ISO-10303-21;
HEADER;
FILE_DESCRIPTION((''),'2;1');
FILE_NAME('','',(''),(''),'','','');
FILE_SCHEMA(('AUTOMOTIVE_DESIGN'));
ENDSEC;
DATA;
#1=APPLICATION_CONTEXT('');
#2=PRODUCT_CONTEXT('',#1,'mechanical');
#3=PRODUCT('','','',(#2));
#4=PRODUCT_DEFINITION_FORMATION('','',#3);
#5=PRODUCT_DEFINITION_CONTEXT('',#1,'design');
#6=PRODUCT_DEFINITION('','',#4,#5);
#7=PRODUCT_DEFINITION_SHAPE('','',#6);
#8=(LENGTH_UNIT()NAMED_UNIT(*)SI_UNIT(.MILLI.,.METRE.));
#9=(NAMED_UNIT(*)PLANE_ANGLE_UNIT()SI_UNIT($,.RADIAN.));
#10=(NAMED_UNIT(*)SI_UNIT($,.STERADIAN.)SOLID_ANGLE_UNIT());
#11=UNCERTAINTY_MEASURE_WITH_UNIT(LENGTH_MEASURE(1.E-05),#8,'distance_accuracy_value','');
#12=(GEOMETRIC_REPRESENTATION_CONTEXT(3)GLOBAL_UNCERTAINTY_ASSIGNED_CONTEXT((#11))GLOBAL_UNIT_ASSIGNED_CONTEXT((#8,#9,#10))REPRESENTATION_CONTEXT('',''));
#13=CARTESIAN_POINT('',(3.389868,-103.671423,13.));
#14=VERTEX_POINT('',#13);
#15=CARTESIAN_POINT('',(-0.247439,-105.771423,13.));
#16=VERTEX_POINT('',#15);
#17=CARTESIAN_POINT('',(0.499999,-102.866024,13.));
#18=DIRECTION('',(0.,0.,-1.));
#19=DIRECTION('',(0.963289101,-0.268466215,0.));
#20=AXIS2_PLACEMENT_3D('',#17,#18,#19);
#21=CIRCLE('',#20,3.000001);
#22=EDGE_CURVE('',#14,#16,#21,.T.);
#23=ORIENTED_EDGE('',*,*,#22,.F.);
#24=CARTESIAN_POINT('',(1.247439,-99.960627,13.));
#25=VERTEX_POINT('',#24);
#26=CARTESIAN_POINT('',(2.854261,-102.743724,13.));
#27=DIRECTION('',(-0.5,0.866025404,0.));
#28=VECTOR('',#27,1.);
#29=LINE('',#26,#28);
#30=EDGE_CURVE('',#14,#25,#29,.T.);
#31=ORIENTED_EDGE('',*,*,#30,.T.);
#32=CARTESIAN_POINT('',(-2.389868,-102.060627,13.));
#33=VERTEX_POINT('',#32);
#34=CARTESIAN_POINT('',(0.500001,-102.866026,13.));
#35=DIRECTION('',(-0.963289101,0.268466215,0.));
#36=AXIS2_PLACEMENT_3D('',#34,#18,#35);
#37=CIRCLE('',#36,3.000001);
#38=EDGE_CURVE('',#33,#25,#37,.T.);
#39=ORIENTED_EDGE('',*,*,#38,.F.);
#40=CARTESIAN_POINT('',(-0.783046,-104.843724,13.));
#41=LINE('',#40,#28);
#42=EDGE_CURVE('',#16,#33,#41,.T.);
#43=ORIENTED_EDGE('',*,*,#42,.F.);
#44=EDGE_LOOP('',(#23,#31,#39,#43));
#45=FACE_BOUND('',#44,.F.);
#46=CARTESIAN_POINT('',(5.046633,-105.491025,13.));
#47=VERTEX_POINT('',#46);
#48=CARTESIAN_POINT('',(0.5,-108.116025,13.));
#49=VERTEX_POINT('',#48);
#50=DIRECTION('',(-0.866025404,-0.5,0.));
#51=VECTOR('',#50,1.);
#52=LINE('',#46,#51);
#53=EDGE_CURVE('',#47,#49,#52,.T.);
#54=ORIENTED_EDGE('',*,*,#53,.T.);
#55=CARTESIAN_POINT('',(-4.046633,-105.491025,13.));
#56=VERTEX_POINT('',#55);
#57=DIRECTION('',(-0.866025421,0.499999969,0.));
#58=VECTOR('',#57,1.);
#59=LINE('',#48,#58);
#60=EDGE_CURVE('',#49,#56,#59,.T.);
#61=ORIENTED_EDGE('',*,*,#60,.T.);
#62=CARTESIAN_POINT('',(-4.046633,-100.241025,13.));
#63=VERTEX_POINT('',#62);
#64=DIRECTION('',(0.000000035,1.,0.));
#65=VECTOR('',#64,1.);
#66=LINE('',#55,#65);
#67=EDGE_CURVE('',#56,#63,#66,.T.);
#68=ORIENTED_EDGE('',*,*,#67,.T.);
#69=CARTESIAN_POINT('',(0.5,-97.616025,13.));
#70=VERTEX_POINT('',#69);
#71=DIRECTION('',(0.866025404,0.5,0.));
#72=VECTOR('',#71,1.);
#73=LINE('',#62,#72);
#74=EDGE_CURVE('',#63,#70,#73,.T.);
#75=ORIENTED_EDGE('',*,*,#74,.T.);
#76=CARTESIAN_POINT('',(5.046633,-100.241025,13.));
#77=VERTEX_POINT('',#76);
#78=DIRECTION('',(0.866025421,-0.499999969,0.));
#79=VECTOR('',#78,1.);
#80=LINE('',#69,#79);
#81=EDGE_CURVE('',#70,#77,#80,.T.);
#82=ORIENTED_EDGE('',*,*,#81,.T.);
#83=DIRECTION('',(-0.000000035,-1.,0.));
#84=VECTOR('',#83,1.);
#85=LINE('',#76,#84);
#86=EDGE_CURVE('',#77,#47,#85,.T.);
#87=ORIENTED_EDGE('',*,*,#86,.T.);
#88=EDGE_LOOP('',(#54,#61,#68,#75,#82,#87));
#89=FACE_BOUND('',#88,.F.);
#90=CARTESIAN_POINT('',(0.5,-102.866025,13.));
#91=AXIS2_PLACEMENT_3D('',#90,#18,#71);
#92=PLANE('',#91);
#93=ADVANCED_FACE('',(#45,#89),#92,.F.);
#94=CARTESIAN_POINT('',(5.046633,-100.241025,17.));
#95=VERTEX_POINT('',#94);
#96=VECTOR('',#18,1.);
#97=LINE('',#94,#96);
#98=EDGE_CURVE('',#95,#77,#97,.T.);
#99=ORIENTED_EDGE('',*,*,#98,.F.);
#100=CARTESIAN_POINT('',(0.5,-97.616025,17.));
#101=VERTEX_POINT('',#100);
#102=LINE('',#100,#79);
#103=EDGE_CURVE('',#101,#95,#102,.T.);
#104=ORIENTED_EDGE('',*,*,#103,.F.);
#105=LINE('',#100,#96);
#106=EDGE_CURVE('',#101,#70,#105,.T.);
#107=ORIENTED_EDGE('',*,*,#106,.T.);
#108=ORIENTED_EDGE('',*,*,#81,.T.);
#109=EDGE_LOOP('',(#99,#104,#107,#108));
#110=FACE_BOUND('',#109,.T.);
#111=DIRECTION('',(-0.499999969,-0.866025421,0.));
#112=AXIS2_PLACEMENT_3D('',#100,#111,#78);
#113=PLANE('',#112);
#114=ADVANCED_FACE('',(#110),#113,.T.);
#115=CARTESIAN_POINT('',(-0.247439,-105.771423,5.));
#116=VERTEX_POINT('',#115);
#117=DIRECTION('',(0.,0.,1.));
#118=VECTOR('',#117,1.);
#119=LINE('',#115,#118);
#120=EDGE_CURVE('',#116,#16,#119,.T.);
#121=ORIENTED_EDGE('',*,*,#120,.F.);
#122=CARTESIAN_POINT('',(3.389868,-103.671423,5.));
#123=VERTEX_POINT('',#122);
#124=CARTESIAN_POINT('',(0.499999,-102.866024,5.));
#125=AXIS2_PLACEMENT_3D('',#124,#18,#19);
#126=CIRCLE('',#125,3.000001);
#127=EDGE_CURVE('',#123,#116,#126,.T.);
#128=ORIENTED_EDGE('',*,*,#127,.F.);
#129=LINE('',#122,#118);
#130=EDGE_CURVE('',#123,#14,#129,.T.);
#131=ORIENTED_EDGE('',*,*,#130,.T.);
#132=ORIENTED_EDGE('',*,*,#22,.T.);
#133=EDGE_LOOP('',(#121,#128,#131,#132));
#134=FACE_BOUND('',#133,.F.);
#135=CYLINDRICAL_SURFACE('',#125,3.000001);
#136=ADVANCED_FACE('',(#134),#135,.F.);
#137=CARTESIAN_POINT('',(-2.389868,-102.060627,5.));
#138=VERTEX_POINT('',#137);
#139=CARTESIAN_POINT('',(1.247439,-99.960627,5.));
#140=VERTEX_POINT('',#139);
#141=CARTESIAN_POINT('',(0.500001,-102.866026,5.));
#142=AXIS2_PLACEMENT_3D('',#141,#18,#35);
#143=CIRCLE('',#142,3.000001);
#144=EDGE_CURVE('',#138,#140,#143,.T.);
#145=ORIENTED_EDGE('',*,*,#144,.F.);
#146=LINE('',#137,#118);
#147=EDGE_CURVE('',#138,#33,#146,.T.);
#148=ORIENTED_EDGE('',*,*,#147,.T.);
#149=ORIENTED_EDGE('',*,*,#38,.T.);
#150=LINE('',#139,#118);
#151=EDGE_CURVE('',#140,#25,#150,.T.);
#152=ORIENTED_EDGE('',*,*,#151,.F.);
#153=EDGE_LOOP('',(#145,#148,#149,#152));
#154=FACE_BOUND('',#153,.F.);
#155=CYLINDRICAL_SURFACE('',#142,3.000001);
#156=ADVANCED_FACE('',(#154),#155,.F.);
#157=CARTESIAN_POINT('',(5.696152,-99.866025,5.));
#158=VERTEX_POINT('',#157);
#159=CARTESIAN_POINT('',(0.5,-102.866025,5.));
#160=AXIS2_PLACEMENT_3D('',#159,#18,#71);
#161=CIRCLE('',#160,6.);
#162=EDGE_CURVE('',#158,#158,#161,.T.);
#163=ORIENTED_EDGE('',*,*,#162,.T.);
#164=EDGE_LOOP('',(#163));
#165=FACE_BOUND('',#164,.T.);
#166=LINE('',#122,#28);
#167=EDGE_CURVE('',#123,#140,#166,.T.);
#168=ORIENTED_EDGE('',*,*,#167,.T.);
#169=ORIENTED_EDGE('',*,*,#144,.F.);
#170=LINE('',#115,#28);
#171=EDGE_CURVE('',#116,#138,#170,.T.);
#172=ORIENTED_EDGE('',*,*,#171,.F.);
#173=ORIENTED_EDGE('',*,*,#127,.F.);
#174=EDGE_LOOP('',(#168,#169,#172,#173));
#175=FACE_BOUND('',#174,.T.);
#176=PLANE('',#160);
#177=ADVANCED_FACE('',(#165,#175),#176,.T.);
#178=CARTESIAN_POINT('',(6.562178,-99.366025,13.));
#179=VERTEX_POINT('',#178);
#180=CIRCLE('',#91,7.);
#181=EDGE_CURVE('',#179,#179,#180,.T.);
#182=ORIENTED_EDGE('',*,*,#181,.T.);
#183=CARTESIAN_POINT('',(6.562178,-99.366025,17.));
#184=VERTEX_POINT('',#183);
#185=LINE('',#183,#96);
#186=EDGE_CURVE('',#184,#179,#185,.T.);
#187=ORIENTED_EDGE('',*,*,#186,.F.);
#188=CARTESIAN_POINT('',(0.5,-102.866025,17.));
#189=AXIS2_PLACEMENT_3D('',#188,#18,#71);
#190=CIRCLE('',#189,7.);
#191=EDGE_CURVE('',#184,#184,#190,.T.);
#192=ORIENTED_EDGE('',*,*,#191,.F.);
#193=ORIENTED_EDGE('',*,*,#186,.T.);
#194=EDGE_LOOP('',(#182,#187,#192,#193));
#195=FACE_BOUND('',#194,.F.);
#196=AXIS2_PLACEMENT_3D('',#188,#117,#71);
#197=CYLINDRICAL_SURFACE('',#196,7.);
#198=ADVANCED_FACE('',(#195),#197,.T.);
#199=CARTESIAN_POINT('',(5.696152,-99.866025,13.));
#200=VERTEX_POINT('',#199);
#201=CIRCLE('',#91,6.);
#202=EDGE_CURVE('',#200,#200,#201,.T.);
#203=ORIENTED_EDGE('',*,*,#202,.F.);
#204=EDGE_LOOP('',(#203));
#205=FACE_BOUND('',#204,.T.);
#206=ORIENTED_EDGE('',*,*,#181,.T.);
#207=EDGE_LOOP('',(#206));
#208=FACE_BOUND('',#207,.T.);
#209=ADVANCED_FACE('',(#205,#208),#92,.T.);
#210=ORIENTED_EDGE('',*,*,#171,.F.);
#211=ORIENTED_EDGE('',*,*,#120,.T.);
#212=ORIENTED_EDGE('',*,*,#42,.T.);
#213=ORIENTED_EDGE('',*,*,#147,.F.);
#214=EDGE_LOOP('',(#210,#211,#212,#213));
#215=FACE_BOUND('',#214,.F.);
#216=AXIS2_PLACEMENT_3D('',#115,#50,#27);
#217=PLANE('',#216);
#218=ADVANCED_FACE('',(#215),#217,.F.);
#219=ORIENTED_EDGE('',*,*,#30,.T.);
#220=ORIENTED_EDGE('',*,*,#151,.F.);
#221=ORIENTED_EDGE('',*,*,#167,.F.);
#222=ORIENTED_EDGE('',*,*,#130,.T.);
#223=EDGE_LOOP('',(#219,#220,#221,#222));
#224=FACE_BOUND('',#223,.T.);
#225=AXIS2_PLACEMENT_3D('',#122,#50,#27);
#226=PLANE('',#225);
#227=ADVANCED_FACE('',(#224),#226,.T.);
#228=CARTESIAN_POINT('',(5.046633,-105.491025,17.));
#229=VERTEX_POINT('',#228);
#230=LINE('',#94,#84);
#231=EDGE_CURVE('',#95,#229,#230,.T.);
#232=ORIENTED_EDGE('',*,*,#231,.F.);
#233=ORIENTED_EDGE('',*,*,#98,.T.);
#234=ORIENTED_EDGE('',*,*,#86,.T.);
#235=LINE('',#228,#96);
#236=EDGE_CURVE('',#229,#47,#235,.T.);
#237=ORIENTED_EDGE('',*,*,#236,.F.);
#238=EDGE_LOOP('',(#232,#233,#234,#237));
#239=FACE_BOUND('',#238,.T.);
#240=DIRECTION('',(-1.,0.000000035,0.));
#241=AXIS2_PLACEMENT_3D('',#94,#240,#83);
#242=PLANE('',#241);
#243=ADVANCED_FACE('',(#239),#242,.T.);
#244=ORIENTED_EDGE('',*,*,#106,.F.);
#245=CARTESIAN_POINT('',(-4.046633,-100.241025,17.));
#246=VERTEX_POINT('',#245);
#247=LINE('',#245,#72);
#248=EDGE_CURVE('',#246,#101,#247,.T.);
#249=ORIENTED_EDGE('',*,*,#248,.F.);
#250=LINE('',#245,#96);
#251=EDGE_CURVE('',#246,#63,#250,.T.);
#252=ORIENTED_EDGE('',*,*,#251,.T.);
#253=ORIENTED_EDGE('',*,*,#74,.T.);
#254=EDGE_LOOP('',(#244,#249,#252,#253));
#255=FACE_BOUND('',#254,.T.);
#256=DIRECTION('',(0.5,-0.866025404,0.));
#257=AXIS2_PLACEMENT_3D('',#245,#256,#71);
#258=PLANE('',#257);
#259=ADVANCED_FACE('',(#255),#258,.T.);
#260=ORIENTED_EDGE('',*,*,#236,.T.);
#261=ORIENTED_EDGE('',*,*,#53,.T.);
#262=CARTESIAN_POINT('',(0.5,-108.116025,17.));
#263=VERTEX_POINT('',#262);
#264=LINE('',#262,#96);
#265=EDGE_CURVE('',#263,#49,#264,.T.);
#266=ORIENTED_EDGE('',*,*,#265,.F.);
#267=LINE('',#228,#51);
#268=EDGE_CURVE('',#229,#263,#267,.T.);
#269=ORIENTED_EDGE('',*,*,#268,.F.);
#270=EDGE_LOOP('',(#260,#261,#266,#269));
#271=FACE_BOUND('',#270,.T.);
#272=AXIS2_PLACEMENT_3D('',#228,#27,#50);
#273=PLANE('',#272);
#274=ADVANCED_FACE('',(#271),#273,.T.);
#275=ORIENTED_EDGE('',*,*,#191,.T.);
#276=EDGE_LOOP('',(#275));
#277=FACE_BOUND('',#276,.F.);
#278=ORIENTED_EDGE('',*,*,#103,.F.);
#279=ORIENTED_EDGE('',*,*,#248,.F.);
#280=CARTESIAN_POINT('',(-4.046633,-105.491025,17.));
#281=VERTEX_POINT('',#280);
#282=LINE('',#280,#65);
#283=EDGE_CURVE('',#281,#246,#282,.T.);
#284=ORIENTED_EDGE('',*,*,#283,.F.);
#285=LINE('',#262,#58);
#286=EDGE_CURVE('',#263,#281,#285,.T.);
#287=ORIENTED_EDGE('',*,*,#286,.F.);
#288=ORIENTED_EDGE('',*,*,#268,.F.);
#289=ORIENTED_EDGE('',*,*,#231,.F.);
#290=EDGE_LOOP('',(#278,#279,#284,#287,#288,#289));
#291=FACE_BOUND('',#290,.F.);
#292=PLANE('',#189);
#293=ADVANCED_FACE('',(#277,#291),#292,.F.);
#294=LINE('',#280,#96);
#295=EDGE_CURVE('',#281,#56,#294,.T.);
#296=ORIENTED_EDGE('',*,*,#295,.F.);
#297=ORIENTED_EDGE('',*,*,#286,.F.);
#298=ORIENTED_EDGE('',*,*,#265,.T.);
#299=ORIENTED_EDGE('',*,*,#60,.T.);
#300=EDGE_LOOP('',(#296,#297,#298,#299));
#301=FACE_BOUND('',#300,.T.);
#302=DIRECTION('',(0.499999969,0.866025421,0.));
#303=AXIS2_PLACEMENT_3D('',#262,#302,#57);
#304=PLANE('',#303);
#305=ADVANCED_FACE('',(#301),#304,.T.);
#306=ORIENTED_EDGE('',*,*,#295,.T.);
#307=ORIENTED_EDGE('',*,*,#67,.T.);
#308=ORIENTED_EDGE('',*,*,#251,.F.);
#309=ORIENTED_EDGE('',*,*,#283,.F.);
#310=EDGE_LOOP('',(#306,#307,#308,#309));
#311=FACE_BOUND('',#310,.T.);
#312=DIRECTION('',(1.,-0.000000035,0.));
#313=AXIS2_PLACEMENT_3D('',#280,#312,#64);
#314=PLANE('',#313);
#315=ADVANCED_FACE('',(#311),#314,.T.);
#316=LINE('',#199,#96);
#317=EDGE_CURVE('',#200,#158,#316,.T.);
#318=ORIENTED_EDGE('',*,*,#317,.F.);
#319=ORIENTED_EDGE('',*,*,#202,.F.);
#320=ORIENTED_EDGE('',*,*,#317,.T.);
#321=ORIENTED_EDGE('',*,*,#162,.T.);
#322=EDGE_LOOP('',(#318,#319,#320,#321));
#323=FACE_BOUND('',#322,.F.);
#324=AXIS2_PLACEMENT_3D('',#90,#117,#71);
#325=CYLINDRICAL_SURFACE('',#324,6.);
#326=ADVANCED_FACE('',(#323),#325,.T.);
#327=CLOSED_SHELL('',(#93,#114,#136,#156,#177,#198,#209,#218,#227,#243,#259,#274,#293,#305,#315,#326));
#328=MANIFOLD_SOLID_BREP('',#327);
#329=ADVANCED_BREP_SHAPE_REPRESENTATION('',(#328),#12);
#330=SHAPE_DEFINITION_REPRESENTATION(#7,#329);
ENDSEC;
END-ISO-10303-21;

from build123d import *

# Parameters (mm, degrees)
SKETCH159_R             = 7
PAD068_DEPTH            = 4
SKETCH160_R             = 6
PAD069_DEPTH            = 8
POCKET068_DEPTH         = 20
BODY020_ROLL_ANGLE      = 90
BODY020_PLACEMENT_ANGLE = 30


with BuildPart() as part:
    # Sketch159 → Pad068 (new body)
    with BuildSketch(Plane.XZ):
        Circle(SKETCH159_R)
        Polygon((5.25, 0), (2.625, 4.546633), (-2.625, 4.546633), (-5.25, 0), (-2.625, -4.546633), (2.625, -4.546633), align=None, mode=Mode.SUBTRACT)
    extrude(amount=PAD068_DEPTH)

    # Sketch160 (on Face9 of Pad068) → Pad069 (join)
    with BuildSketch(Plane.XZ.offset(4)):
        Circle(SKETCH160_R)
    extrude(amount=PAD069_DEPTH)

    # Sketch162 (on Face12 of Pad069) → Pocket068 (cut)
    with BuildSketch(Plane.XZ.offset(12)):
        with BuildLine():
            ThreePointArc((2.1, 2.142429), (0, 3), (-2.1, 2.142429))
            Line((-2.1, 2.142429), (-2.1, -2.142429))
            ThreePointArc((-2.1, -2.142429), (0, -3), (2.1, -2.142429))
            Line((2.1, 2.142429), (2.1, -2.142429))
        make_face()
    extrude(amount=-POCKET068_DEPTH, mode=Mode.SUBTRACT)


with BuildPart() as part_1:
    # Body020 roll: moved
    add(part.part.rotate(Axis((0, 0, 0), (1, 0, 0)), BODY020_ROLL_ANGLE))


with BuildPart() as part_2:
    # Body020 placement: moved
    add(part_1.part.moved(Location((0.5, -102.866025, 17))).rotate(Axis((0.5, -102.866025, 17), (0, 0, 1)), BODY020_PLACEMENT_ANGLE))


solid = part_2.part
